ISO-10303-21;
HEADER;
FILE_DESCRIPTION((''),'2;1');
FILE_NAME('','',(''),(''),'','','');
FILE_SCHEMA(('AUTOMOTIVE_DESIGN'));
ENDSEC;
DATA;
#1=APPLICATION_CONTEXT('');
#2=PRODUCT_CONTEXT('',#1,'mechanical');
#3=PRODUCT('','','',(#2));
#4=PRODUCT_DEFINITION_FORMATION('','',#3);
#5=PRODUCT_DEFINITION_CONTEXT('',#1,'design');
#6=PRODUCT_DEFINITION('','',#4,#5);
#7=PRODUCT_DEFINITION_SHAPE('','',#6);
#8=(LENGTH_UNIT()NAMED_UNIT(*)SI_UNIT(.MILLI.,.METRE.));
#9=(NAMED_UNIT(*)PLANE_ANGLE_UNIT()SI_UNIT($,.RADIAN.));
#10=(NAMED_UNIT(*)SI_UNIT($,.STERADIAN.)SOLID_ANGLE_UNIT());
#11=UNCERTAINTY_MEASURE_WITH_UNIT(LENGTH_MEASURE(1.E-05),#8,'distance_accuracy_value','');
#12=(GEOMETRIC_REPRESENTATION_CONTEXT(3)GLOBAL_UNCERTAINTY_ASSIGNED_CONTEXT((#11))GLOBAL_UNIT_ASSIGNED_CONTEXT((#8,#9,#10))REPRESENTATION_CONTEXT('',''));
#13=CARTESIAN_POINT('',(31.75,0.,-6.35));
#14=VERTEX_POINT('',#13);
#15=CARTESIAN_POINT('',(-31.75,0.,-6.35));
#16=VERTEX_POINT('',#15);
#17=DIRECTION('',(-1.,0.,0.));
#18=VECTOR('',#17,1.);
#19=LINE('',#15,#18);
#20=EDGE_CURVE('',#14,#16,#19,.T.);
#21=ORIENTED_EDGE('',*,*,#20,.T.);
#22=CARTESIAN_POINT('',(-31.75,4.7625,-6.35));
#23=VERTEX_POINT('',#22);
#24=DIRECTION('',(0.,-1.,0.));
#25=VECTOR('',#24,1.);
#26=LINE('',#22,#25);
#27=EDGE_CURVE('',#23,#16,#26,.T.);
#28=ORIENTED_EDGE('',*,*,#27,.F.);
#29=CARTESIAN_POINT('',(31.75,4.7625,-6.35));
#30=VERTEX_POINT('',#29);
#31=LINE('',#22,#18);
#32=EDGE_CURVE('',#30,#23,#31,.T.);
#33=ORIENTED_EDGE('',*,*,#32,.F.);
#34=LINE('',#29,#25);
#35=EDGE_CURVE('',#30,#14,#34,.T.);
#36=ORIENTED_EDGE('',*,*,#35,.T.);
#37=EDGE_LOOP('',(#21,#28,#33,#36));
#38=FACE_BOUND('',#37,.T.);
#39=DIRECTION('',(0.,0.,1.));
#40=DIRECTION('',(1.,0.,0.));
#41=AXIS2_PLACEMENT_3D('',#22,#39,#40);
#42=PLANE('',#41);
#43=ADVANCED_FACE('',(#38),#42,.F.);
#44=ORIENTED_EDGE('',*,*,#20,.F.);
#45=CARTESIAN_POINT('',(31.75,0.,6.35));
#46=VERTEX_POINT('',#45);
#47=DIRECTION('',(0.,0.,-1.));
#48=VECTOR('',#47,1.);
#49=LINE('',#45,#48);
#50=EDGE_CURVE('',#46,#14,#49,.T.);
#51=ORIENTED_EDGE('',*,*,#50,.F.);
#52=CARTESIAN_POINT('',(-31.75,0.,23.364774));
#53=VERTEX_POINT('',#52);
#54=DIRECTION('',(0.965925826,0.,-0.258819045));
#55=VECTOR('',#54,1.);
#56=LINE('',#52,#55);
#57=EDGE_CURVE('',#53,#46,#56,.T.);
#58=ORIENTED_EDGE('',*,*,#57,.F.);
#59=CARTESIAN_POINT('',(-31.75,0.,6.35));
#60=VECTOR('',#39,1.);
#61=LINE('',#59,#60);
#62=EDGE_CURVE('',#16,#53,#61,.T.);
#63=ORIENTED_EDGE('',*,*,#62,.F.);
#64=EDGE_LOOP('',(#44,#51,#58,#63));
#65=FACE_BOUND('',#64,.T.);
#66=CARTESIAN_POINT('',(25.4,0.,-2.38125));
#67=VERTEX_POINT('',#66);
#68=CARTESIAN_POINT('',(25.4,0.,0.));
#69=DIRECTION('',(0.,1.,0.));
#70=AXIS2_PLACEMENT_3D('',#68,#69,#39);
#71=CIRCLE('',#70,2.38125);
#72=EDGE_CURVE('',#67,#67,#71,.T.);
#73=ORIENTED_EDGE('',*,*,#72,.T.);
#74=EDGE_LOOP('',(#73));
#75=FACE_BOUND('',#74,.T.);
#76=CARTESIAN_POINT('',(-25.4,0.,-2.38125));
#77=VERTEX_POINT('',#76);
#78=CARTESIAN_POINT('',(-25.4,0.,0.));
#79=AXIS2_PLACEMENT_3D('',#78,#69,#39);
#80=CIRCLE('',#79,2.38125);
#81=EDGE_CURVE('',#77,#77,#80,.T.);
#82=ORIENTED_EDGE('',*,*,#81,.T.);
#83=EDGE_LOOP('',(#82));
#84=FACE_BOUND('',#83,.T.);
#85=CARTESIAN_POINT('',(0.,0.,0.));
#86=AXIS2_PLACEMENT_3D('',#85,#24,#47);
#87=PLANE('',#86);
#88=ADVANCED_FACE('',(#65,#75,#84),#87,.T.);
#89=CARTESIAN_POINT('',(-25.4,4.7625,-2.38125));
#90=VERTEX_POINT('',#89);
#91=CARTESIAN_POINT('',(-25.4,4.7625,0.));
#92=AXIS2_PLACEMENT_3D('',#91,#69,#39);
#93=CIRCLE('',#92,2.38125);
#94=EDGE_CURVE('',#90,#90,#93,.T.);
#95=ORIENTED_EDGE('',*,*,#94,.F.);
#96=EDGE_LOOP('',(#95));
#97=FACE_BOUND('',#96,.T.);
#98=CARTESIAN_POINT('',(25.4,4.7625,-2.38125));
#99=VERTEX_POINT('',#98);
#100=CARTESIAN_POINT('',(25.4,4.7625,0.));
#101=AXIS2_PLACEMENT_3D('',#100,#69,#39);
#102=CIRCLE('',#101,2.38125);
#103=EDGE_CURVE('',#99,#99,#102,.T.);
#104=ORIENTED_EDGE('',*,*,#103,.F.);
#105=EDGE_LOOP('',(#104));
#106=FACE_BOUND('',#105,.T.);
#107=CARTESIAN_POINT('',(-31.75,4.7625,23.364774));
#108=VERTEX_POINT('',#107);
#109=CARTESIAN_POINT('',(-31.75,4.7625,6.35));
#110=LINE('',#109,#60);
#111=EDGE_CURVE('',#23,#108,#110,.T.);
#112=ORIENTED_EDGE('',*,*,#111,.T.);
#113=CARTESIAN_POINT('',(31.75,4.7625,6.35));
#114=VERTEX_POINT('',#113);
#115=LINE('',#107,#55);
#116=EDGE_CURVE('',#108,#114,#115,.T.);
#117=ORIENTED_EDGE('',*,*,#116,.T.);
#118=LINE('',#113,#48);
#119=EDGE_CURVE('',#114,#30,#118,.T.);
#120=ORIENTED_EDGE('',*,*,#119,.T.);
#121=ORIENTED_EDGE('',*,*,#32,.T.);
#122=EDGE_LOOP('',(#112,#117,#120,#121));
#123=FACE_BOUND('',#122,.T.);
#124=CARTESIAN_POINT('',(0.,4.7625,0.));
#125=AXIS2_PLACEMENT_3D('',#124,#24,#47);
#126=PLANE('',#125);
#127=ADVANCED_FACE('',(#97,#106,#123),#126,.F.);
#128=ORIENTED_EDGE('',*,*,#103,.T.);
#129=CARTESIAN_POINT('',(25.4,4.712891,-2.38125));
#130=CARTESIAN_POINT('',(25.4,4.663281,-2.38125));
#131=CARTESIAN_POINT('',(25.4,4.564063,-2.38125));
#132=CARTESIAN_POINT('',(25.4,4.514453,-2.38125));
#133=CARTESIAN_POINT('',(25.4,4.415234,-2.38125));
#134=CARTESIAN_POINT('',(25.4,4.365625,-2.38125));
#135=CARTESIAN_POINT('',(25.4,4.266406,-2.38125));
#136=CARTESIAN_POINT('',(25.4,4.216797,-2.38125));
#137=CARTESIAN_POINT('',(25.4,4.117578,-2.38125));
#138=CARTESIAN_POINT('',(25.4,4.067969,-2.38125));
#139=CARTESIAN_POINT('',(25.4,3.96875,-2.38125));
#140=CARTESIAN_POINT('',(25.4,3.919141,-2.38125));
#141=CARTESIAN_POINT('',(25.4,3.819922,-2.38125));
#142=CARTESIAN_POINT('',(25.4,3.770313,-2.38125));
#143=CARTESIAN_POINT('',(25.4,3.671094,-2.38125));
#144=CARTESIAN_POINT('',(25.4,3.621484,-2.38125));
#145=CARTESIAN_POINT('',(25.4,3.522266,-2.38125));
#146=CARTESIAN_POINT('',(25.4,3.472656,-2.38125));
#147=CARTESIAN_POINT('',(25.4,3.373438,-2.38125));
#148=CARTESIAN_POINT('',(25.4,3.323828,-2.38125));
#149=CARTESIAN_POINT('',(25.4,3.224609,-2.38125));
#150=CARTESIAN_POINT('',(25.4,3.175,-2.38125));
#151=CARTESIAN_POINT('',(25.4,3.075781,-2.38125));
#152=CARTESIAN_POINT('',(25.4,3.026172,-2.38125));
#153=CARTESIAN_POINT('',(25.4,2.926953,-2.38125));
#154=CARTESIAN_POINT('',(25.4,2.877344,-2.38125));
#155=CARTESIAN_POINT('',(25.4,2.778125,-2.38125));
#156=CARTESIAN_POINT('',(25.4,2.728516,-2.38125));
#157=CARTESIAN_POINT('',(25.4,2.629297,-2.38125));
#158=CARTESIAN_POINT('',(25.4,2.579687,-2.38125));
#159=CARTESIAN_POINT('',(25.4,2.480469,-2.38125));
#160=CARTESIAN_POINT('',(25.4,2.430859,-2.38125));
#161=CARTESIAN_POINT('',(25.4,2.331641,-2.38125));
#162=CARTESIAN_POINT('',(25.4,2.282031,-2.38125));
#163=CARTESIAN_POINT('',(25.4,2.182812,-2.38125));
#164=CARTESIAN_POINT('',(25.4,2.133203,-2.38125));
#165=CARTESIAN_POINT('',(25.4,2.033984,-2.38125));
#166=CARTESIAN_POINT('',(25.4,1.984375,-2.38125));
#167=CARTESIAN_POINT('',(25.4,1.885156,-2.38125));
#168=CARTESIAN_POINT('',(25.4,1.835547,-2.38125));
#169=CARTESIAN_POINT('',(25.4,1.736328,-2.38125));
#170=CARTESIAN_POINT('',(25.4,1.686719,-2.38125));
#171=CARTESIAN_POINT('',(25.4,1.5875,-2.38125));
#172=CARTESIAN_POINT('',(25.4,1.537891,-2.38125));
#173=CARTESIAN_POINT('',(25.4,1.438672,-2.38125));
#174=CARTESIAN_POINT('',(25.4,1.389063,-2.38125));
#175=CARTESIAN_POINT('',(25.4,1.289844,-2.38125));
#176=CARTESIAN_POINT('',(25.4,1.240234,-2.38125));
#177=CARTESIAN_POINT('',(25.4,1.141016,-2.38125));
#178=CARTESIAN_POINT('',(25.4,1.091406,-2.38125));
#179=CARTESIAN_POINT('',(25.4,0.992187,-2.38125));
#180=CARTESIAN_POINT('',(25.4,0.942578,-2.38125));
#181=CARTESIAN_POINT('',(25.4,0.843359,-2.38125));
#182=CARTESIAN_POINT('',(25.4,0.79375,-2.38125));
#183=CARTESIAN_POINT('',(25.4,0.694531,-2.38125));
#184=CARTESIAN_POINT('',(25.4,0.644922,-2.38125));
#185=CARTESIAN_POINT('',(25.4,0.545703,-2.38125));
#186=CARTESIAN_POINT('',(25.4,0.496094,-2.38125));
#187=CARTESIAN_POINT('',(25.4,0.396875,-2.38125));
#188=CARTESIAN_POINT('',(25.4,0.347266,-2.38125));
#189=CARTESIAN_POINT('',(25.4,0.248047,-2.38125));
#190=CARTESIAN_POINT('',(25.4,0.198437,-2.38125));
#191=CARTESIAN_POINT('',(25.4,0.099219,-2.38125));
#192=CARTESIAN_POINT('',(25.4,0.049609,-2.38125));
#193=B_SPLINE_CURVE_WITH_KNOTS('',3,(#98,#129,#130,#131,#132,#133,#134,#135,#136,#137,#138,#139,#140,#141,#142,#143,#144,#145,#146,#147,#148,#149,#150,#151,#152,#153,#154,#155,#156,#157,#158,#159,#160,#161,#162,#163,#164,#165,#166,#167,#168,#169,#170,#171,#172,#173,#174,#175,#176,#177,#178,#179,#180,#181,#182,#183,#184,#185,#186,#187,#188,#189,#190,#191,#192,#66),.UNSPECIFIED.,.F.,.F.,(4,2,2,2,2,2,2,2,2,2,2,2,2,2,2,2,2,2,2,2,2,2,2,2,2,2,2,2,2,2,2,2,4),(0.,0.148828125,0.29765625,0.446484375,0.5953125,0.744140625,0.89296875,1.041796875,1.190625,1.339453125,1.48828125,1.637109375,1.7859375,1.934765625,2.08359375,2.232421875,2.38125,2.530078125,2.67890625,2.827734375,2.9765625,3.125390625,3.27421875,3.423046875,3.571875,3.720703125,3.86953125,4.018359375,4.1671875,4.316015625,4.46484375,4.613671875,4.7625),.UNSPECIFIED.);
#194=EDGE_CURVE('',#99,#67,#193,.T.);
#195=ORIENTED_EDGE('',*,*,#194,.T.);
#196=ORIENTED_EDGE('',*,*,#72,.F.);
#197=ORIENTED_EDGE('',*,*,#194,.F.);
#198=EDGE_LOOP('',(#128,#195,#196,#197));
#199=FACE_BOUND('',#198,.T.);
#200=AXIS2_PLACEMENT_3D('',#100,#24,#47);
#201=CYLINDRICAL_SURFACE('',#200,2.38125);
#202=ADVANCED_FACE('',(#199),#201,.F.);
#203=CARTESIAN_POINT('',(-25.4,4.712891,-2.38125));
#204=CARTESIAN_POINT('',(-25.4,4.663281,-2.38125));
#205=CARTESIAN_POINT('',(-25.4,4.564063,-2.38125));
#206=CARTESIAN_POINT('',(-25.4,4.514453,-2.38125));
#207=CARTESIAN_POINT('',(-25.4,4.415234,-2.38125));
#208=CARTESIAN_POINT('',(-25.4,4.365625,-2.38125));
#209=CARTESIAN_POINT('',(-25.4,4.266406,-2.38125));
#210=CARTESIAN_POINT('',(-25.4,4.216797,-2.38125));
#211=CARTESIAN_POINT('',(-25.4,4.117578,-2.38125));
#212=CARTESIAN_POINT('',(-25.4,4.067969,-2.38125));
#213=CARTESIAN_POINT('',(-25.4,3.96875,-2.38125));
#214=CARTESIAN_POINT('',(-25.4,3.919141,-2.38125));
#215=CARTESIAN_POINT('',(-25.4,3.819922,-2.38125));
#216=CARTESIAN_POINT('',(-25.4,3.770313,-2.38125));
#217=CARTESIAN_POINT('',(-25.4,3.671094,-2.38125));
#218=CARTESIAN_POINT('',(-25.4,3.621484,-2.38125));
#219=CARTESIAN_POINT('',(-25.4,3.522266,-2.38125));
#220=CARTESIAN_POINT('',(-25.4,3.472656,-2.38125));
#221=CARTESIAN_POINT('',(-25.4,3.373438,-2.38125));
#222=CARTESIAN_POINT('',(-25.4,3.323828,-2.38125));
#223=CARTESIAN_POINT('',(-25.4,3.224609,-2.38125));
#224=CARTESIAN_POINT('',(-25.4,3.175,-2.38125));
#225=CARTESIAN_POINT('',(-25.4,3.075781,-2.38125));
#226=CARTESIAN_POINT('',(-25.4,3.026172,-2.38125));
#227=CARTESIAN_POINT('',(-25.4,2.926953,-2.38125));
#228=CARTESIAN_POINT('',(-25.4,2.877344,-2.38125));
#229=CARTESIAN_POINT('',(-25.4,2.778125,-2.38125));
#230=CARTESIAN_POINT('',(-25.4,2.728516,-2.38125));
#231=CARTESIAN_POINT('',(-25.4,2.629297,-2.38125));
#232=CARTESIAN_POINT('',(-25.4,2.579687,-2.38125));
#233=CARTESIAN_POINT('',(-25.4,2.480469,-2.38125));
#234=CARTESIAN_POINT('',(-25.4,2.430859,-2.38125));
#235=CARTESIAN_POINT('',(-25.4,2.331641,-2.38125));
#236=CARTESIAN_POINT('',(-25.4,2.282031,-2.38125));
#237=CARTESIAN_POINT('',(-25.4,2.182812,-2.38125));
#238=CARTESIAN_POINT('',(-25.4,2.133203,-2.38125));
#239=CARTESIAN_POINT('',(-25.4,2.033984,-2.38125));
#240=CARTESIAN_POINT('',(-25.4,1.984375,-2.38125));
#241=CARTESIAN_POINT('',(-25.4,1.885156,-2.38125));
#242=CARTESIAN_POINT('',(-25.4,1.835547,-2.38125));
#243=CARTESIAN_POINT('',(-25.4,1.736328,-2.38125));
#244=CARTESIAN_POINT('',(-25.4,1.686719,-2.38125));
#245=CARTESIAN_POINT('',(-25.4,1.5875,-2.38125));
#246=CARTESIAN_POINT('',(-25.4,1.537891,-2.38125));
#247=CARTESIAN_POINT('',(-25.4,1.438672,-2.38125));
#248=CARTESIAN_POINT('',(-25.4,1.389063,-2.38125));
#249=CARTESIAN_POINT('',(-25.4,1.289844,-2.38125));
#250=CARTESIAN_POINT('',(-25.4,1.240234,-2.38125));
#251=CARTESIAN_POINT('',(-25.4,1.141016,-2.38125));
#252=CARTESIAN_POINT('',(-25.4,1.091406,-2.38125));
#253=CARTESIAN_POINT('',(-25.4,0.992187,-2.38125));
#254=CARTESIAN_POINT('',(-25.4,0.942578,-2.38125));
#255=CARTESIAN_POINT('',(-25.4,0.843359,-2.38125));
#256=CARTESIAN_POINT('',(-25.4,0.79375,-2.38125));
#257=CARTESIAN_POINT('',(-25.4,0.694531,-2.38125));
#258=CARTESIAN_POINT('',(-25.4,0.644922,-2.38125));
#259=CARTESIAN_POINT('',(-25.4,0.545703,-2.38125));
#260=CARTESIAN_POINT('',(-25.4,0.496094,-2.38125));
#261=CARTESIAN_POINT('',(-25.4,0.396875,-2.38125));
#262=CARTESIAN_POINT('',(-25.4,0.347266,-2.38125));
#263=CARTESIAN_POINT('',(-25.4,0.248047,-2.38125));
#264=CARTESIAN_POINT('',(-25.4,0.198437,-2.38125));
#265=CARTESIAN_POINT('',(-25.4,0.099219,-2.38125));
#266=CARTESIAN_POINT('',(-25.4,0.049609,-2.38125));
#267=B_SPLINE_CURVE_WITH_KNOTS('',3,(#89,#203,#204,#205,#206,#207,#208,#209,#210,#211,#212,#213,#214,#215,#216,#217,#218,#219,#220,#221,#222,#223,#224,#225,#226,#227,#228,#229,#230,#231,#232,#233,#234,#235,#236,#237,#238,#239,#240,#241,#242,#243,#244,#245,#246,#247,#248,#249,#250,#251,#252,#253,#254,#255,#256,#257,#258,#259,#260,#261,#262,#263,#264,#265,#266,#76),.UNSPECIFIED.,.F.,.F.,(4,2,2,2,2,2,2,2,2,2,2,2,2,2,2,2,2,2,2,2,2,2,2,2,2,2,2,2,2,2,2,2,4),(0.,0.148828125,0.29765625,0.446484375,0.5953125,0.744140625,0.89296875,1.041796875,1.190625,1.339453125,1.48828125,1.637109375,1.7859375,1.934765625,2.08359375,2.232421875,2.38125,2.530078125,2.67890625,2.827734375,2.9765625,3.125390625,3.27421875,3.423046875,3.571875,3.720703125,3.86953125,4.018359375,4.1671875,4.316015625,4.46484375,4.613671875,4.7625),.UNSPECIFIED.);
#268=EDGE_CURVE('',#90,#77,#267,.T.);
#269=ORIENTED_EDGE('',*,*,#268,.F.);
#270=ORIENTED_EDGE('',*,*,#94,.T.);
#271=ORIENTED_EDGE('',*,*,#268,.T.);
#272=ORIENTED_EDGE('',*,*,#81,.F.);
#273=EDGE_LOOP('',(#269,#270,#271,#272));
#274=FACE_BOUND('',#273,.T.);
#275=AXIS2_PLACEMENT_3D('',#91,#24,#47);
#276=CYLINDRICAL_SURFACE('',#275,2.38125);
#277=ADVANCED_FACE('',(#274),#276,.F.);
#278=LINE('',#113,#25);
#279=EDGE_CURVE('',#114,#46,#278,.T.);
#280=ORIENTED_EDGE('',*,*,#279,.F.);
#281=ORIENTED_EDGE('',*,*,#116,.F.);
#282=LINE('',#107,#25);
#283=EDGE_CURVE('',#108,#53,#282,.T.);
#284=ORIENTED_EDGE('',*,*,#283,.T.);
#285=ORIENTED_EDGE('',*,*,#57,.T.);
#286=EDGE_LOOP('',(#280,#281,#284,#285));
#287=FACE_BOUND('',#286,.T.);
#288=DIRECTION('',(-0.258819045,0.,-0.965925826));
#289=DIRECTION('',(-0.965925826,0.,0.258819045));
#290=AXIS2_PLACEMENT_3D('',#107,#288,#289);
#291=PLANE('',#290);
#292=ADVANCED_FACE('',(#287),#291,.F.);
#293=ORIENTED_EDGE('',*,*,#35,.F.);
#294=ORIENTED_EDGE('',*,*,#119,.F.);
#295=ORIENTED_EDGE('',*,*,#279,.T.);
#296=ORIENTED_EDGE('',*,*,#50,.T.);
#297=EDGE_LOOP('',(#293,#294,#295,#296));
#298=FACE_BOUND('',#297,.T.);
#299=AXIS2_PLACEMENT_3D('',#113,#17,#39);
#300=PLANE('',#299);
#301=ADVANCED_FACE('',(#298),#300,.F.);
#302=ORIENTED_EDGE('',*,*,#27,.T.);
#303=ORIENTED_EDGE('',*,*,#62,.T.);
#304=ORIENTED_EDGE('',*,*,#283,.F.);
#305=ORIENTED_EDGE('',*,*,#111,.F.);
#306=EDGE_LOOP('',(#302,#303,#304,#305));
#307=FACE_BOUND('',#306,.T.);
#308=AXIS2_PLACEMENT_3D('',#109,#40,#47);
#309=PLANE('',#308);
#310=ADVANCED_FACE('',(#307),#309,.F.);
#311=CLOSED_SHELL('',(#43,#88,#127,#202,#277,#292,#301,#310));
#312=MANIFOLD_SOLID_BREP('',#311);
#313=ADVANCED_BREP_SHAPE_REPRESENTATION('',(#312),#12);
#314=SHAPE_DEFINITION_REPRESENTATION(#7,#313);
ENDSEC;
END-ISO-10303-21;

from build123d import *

# Parameters (mm, degrees)
SKETCH1_R           = 2.38125
BOSS_EXTRUDE1_DEPTH = 4.7625


with BuildPart() as part:
    # Sketch1 → Boss-Extrude1 (new body)
    with BuildSketch(Plane(origin=(0, 0, 0), x_dir=(1, 0, 0), z_dir=(0, 1, 0))):
        Polygon((-31.75, -6.35), (-31.75, 6.35), (31.75, 6.35), (31.75, -6.35), (-31.75, -23.364773719), align=None)
        with Locations(Location((-25.4, 0, 0), (0, 0, 90))):
            Circle(SKETCH1_R, mode=Mode.SUBTRACT)
        with Locations(Location((25.4, 0, 0), (0, 0, 90))):
            Circle(SKETCH1_R, mode=Mode.SUBTRACT)
    extrude(amount=BOSS_EXTRUDE1_DEPTH)


solid = part.part
